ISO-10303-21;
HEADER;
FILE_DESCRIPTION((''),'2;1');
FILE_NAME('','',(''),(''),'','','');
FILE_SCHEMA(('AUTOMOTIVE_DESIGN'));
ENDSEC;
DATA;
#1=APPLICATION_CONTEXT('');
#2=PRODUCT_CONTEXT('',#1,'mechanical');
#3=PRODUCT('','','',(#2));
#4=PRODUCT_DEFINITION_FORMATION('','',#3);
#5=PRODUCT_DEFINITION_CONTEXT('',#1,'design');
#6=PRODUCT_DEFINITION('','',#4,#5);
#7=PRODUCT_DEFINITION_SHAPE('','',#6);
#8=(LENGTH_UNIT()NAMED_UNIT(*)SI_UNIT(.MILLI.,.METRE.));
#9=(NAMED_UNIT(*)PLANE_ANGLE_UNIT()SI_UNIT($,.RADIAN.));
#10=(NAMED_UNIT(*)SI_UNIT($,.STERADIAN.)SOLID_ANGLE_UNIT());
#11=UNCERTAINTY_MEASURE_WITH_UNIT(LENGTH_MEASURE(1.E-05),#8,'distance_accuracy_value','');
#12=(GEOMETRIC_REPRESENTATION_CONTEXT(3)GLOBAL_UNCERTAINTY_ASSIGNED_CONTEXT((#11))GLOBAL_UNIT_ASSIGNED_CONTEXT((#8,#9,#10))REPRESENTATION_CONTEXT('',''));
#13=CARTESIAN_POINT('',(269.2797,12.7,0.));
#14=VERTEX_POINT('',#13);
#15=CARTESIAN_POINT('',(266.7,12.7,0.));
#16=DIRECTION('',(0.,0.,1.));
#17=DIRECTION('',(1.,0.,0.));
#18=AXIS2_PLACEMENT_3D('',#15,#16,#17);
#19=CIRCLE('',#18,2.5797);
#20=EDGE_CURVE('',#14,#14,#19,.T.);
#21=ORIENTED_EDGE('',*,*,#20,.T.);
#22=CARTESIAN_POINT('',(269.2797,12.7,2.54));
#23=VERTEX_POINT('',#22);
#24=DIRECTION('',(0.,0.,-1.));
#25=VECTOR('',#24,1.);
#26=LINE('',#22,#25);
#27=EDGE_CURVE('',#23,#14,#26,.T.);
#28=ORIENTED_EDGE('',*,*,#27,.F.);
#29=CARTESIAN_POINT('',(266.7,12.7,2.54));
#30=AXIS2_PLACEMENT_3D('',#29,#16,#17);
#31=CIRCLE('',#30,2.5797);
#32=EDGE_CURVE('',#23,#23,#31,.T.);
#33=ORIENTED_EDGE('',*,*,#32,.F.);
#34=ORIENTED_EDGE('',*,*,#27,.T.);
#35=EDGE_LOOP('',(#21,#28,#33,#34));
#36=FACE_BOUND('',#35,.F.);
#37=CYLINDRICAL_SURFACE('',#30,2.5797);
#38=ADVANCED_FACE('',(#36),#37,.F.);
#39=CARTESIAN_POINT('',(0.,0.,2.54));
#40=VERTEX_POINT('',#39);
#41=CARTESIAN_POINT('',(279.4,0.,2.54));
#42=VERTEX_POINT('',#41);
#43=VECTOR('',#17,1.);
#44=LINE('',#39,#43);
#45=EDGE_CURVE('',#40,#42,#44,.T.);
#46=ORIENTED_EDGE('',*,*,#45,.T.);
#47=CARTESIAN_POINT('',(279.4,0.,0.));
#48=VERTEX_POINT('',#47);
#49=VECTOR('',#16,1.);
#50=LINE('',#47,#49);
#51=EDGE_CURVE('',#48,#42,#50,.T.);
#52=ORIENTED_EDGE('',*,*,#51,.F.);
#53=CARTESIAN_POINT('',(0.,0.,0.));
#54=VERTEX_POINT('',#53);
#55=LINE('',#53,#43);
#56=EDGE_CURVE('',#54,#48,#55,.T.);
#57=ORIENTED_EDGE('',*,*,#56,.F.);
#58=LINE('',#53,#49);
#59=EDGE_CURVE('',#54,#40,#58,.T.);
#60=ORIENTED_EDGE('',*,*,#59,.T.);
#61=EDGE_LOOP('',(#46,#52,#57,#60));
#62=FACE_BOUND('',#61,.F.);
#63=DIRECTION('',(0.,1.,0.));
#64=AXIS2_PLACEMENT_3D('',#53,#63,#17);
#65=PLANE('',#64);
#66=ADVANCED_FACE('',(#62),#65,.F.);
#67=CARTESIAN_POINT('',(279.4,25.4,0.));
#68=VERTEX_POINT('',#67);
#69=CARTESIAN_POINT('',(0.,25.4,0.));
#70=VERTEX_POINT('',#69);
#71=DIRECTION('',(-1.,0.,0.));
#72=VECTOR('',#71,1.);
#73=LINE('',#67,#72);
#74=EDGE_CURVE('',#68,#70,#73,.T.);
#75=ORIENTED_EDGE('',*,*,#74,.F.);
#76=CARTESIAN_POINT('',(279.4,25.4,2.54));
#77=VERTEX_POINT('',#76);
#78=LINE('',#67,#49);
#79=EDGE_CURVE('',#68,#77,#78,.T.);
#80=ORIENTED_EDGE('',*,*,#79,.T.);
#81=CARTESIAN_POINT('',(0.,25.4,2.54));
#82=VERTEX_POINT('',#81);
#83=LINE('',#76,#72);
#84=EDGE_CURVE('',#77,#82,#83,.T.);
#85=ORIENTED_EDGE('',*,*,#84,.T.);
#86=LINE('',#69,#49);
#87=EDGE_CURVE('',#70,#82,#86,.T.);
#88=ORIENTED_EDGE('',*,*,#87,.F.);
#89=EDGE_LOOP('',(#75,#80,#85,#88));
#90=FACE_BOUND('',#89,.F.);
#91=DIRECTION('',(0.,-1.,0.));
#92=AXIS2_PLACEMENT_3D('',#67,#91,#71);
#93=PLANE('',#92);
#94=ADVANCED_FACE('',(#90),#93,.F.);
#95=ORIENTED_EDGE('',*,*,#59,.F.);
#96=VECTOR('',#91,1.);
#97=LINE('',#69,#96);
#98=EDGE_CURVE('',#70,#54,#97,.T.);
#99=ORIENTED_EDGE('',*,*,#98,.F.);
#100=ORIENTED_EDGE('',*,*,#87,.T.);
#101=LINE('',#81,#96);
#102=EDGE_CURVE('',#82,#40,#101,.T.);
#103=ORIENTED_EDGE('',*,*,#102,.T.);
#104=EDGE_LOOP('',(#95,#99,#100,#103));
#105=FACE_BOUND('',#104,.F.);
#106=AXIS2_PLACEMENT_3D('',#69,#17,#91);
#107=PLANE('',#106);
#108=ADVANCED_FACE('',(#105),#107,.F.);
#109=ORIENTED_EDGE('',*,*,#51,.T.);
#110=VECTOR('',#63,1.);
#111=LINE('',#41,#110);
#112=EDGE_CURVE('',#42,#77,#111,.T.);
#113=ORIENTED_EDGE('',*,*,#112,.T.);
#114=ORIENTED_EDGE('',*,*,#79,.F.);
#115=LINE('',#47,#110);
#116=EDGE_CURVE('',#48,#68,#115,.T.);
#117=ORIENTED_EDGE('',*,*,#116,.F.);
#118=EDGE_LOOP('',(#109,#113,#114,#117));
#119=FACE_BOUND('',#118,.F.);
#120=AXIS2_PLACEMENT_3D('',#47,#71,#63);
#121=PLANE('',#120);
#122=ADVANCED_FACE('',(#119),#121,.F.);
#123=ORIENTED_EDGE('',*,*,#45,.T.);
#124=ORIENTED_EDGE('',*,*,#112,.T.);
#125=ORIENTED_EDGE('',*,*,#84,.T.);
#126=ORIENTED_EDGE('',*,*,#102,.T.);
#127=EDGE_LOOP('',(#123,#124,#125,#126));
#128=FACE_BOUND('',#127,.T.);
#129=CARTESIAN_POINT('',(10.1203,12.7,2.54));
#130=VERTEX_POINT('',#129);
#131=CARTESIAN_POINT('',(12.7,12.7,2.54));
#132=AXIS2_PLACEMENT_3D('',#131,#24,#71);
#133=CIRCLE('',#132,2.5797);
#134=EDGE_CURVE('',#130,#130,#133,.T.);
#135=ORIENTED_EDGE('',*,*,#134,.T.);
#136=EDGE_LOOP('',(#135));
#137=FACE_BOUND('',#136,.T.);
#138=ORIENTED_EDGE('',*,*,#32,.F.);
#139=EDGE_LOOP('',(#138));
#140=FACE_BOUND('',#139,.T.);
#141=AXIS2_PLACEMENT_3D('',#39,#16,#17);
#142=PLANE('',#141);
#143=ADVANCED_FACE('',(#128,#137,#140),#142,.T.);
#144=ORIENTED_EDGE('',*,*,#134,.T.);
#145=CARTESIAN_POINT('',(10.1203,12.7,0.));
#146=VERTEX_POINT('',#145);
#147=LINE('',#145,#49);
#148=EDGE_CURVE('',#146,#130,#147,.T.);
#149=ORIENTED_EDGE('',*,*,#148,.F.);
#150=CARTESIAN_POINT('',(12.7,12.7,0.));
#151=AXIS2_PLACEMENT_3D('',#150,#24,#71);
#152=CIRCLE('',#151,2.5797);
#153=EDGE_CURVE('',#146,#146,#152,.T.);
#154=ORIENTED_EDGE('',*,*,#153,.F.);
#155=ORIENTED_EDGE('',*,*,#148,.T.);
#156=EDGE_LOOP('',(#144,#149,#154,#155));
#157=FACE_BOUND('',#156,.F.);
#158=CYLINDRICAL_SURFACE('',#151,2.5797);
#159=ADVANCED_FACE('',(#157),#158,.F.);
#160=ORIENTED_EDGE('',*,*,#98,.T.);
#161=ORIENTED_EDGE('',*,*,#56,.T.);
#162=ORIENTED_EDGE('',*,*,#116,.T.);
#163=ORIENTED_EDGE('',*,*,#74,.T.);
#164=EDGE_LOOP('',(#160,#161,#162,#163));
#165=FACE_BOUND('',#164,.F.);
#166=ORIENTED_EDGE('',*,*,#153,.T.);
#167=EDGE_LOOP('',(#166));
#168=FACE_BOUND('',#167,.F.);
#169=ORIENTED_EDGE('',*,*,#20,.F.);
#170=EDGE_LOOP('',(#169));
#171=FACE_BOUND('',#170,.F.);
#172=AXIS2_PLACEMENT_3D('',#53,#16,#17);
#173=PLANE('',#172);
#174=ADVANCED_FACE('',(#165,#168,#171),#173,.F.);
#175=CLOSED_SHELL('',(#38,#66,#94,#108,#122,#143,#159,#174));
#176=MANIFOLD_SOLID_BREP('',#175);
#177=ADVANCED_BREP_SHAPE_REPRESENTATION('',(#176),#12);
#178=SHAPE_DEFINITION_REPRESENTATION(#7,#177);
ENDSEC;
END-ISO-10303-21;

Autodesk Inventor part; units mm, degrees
ref_plane "YZ Plane" through (0, 0, 0) normal (1, 0, 0) x (0, 1, 0)
ref_plane "XZ Plane" through (0, 0, 0) normal (0, 1, 0) x (-1, 0, 0)
ref_plane "XY Plane" through (0, 0, 0) normal (0, 0, 1) x (1, 0, 0)
sketch "Sketch1" plane through (0, 0, 0) normal (0, 0, 1) x (1, 0, 0)
  line L0 (0, 0) -> (279.4, 0)
  line L1 (279.4, 0) -> (279.4, 25.4)
  line L2 (279.4, 25.4) -> (0, 25.4)
  line L3 (0, 25.4) -> (0, 0)
  dimension "d2" = 279.4
  dimension "d3" = 25.4
extrude "Extrusion1" add sketch "Sketch1" along normal blind 2.54
sketch "Sketch2" plane through (0, 0, 0) normal (0, 0, -1) x (-1, 0, 0)
  circle A0 centre (-12.7, 12.7) radius 2.5797
  line L0 (0, 25.4) -> (0, 0) projected
  line L1 (0, 0) -> (-279.4, 0) projected
  dimension "d6" = 5.1594
  dimension "d7" = 12.7
  dimension "d8" = 12.7
extrude "Extrusion2" cut sketch "Sketch2" against normal blind 25.4
sketch "Sketch3" plane through (0, 0, 2.54) normal (0, 0, 1) x (1, 0, 0)
  circle A0 centre (266.7, 12.7) radius 2.5797
  line L0 (279.4, 0) -> (279.4, 25.4) projected
  line L1 (0, 0) -> (279.4, 0) projected
  dimension "d11" = 5.1594
  dimension "d12" = 12.7
  dimension "d13" = 12.7
extrude "Extrusion3" cut sketch "Sketch3" against normal blind 25.4
properties part number "supports"
